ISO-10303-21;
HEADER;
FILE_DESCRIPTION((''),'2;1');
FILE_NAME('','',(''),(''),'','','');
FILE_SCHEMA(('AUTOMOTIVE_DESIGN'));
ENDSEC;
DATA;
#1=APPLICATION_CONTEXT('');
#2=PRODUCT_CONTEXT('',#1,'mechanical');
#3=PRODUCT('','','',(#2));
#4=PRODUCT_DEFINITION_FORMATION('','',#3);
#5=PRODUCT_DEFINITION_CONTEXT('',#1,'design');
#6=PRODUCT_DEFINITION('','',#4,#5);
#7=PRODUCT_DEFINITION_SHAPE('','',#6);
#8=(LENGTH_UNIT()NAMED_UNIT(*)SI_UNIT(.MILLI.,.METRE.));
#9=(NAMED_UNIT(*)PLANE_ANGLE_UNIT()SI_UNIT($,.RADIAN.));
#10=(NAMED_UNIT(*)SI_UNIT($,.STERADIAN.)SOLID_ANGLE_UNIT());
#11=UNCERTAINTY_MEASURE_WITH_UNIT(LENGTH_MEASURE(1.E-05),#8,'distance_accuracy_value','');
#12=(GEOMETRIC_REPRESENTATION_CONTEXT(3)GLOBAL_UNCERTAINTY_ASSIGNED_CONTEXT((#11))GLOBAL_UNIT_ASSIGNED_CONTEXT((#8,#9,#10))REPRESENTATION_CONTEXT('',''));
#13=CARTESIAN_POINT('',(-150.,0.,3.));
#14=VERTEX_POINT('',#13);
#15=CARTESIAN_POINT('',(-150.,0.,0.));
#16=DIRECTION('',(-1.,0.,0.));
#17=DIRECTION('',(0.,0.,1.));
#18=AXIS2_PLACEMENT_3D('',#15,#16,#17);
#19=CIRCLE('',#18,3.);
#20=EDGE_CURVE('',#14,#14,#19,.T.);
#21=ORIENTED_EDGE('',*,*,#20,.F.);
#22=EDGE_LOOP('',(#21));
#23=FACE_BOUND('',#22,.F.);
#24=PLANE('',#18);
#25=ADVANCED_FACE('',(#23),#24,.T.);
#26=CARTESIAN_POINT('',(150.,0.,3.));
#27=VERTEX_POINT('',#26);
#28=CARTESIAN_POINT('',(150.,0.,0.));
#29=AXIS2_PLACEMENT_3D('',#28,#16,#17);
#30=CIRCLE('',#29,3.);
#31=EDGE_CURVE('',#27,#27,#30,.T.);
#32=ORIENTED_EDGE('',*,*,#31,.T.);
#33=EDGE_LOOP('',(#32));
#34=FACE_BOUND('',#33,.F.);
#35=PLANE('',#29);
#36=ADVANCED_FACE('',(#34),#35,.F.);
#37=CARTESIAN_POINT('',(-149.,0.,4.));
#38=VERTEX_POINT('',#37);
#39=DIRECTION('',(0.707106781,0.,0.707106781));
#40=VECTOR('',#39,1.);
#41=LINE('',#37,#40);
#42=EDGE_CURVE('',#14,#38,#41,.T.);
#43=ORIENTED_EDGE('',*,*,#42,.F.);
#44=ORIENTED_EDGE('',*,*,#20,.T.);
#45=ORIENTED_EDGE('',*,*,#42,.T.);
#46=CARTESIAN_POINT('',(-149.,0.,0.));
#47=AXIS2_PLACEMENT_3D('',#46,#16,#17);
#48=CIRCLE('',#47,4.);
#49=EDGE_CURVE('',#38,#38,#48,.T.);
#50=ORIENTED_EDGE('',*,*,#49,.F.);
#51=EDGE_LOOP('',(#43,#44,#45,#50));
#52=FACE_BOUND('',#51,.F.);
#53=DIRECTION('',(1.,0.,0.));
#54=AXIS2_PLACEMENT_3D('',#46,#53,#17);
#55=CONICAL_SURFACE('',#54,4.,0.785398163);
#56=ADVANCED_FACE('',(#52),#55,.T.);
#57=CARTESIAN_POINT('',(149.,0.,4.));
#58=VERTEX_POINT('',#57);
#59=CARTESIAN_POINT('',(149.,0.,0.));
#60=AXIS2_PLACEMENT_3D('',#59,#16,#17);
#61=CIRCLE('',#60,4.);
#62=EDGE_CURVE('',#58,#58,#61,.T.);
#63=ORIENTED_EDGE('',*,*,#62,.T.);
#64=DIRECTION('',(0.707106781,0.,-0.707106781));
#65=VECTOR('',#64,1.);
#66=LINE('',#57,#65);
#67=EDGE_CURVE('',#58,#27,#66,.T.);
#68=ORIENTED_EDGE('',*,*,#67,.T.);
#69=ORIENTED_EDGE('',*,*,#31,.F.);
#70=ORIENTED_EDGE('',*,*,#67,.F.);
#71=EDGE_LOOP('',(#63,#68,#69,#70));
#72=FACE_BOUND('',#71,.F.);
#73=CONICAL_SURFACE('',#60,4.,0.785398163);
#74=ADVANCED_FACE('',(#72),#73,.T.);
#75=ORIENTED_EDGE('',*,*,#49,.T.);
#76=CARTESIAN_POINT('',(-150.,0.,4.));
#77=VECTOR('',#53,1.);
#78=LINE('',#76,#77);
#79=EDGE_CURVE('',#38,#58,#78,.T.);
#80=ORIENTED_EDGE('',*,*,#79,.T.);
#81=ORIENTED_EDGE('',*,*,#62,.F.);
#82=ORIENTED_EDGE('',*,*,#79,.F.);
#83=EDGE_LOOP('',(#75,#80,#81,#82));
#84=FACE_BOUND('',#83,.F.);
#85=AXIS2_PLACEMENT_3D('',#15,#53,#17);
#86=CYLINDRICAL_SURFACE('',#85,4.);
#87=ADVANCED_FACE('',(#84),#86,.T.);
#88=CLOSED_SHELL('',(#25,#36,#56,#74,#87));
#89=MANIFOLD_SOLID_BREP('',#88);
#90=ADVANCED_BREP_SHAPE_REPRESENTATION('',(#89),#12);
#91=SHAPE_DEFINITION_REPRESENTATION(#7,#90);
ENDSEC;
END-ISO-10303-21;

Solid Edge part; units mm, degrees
sketch "Sketch1" plane through (0, 0, 0) normal (0, -1, 0) x (1, 0, 0)
  line L0 (-150, 0) -> (-150, 4)
  line L1 (-150, 4) -> (150, 4)
  line L2 (150, 4) -> (150, 0)
  dimension "D1" = 300
revolve "RevolvedProtrusion1" add sketch "Sketch1" angle 360 about axis through (50, 0, 0) along (-1, 0, 0)
chamfer "Chamfer1" distance 1 angle 45 2 edges at (150, 0, -4) (-150, 0, -4)
cosmetic_thread "Thread1" size "Tr 8 x 2"
properties material "Stainless steel"
